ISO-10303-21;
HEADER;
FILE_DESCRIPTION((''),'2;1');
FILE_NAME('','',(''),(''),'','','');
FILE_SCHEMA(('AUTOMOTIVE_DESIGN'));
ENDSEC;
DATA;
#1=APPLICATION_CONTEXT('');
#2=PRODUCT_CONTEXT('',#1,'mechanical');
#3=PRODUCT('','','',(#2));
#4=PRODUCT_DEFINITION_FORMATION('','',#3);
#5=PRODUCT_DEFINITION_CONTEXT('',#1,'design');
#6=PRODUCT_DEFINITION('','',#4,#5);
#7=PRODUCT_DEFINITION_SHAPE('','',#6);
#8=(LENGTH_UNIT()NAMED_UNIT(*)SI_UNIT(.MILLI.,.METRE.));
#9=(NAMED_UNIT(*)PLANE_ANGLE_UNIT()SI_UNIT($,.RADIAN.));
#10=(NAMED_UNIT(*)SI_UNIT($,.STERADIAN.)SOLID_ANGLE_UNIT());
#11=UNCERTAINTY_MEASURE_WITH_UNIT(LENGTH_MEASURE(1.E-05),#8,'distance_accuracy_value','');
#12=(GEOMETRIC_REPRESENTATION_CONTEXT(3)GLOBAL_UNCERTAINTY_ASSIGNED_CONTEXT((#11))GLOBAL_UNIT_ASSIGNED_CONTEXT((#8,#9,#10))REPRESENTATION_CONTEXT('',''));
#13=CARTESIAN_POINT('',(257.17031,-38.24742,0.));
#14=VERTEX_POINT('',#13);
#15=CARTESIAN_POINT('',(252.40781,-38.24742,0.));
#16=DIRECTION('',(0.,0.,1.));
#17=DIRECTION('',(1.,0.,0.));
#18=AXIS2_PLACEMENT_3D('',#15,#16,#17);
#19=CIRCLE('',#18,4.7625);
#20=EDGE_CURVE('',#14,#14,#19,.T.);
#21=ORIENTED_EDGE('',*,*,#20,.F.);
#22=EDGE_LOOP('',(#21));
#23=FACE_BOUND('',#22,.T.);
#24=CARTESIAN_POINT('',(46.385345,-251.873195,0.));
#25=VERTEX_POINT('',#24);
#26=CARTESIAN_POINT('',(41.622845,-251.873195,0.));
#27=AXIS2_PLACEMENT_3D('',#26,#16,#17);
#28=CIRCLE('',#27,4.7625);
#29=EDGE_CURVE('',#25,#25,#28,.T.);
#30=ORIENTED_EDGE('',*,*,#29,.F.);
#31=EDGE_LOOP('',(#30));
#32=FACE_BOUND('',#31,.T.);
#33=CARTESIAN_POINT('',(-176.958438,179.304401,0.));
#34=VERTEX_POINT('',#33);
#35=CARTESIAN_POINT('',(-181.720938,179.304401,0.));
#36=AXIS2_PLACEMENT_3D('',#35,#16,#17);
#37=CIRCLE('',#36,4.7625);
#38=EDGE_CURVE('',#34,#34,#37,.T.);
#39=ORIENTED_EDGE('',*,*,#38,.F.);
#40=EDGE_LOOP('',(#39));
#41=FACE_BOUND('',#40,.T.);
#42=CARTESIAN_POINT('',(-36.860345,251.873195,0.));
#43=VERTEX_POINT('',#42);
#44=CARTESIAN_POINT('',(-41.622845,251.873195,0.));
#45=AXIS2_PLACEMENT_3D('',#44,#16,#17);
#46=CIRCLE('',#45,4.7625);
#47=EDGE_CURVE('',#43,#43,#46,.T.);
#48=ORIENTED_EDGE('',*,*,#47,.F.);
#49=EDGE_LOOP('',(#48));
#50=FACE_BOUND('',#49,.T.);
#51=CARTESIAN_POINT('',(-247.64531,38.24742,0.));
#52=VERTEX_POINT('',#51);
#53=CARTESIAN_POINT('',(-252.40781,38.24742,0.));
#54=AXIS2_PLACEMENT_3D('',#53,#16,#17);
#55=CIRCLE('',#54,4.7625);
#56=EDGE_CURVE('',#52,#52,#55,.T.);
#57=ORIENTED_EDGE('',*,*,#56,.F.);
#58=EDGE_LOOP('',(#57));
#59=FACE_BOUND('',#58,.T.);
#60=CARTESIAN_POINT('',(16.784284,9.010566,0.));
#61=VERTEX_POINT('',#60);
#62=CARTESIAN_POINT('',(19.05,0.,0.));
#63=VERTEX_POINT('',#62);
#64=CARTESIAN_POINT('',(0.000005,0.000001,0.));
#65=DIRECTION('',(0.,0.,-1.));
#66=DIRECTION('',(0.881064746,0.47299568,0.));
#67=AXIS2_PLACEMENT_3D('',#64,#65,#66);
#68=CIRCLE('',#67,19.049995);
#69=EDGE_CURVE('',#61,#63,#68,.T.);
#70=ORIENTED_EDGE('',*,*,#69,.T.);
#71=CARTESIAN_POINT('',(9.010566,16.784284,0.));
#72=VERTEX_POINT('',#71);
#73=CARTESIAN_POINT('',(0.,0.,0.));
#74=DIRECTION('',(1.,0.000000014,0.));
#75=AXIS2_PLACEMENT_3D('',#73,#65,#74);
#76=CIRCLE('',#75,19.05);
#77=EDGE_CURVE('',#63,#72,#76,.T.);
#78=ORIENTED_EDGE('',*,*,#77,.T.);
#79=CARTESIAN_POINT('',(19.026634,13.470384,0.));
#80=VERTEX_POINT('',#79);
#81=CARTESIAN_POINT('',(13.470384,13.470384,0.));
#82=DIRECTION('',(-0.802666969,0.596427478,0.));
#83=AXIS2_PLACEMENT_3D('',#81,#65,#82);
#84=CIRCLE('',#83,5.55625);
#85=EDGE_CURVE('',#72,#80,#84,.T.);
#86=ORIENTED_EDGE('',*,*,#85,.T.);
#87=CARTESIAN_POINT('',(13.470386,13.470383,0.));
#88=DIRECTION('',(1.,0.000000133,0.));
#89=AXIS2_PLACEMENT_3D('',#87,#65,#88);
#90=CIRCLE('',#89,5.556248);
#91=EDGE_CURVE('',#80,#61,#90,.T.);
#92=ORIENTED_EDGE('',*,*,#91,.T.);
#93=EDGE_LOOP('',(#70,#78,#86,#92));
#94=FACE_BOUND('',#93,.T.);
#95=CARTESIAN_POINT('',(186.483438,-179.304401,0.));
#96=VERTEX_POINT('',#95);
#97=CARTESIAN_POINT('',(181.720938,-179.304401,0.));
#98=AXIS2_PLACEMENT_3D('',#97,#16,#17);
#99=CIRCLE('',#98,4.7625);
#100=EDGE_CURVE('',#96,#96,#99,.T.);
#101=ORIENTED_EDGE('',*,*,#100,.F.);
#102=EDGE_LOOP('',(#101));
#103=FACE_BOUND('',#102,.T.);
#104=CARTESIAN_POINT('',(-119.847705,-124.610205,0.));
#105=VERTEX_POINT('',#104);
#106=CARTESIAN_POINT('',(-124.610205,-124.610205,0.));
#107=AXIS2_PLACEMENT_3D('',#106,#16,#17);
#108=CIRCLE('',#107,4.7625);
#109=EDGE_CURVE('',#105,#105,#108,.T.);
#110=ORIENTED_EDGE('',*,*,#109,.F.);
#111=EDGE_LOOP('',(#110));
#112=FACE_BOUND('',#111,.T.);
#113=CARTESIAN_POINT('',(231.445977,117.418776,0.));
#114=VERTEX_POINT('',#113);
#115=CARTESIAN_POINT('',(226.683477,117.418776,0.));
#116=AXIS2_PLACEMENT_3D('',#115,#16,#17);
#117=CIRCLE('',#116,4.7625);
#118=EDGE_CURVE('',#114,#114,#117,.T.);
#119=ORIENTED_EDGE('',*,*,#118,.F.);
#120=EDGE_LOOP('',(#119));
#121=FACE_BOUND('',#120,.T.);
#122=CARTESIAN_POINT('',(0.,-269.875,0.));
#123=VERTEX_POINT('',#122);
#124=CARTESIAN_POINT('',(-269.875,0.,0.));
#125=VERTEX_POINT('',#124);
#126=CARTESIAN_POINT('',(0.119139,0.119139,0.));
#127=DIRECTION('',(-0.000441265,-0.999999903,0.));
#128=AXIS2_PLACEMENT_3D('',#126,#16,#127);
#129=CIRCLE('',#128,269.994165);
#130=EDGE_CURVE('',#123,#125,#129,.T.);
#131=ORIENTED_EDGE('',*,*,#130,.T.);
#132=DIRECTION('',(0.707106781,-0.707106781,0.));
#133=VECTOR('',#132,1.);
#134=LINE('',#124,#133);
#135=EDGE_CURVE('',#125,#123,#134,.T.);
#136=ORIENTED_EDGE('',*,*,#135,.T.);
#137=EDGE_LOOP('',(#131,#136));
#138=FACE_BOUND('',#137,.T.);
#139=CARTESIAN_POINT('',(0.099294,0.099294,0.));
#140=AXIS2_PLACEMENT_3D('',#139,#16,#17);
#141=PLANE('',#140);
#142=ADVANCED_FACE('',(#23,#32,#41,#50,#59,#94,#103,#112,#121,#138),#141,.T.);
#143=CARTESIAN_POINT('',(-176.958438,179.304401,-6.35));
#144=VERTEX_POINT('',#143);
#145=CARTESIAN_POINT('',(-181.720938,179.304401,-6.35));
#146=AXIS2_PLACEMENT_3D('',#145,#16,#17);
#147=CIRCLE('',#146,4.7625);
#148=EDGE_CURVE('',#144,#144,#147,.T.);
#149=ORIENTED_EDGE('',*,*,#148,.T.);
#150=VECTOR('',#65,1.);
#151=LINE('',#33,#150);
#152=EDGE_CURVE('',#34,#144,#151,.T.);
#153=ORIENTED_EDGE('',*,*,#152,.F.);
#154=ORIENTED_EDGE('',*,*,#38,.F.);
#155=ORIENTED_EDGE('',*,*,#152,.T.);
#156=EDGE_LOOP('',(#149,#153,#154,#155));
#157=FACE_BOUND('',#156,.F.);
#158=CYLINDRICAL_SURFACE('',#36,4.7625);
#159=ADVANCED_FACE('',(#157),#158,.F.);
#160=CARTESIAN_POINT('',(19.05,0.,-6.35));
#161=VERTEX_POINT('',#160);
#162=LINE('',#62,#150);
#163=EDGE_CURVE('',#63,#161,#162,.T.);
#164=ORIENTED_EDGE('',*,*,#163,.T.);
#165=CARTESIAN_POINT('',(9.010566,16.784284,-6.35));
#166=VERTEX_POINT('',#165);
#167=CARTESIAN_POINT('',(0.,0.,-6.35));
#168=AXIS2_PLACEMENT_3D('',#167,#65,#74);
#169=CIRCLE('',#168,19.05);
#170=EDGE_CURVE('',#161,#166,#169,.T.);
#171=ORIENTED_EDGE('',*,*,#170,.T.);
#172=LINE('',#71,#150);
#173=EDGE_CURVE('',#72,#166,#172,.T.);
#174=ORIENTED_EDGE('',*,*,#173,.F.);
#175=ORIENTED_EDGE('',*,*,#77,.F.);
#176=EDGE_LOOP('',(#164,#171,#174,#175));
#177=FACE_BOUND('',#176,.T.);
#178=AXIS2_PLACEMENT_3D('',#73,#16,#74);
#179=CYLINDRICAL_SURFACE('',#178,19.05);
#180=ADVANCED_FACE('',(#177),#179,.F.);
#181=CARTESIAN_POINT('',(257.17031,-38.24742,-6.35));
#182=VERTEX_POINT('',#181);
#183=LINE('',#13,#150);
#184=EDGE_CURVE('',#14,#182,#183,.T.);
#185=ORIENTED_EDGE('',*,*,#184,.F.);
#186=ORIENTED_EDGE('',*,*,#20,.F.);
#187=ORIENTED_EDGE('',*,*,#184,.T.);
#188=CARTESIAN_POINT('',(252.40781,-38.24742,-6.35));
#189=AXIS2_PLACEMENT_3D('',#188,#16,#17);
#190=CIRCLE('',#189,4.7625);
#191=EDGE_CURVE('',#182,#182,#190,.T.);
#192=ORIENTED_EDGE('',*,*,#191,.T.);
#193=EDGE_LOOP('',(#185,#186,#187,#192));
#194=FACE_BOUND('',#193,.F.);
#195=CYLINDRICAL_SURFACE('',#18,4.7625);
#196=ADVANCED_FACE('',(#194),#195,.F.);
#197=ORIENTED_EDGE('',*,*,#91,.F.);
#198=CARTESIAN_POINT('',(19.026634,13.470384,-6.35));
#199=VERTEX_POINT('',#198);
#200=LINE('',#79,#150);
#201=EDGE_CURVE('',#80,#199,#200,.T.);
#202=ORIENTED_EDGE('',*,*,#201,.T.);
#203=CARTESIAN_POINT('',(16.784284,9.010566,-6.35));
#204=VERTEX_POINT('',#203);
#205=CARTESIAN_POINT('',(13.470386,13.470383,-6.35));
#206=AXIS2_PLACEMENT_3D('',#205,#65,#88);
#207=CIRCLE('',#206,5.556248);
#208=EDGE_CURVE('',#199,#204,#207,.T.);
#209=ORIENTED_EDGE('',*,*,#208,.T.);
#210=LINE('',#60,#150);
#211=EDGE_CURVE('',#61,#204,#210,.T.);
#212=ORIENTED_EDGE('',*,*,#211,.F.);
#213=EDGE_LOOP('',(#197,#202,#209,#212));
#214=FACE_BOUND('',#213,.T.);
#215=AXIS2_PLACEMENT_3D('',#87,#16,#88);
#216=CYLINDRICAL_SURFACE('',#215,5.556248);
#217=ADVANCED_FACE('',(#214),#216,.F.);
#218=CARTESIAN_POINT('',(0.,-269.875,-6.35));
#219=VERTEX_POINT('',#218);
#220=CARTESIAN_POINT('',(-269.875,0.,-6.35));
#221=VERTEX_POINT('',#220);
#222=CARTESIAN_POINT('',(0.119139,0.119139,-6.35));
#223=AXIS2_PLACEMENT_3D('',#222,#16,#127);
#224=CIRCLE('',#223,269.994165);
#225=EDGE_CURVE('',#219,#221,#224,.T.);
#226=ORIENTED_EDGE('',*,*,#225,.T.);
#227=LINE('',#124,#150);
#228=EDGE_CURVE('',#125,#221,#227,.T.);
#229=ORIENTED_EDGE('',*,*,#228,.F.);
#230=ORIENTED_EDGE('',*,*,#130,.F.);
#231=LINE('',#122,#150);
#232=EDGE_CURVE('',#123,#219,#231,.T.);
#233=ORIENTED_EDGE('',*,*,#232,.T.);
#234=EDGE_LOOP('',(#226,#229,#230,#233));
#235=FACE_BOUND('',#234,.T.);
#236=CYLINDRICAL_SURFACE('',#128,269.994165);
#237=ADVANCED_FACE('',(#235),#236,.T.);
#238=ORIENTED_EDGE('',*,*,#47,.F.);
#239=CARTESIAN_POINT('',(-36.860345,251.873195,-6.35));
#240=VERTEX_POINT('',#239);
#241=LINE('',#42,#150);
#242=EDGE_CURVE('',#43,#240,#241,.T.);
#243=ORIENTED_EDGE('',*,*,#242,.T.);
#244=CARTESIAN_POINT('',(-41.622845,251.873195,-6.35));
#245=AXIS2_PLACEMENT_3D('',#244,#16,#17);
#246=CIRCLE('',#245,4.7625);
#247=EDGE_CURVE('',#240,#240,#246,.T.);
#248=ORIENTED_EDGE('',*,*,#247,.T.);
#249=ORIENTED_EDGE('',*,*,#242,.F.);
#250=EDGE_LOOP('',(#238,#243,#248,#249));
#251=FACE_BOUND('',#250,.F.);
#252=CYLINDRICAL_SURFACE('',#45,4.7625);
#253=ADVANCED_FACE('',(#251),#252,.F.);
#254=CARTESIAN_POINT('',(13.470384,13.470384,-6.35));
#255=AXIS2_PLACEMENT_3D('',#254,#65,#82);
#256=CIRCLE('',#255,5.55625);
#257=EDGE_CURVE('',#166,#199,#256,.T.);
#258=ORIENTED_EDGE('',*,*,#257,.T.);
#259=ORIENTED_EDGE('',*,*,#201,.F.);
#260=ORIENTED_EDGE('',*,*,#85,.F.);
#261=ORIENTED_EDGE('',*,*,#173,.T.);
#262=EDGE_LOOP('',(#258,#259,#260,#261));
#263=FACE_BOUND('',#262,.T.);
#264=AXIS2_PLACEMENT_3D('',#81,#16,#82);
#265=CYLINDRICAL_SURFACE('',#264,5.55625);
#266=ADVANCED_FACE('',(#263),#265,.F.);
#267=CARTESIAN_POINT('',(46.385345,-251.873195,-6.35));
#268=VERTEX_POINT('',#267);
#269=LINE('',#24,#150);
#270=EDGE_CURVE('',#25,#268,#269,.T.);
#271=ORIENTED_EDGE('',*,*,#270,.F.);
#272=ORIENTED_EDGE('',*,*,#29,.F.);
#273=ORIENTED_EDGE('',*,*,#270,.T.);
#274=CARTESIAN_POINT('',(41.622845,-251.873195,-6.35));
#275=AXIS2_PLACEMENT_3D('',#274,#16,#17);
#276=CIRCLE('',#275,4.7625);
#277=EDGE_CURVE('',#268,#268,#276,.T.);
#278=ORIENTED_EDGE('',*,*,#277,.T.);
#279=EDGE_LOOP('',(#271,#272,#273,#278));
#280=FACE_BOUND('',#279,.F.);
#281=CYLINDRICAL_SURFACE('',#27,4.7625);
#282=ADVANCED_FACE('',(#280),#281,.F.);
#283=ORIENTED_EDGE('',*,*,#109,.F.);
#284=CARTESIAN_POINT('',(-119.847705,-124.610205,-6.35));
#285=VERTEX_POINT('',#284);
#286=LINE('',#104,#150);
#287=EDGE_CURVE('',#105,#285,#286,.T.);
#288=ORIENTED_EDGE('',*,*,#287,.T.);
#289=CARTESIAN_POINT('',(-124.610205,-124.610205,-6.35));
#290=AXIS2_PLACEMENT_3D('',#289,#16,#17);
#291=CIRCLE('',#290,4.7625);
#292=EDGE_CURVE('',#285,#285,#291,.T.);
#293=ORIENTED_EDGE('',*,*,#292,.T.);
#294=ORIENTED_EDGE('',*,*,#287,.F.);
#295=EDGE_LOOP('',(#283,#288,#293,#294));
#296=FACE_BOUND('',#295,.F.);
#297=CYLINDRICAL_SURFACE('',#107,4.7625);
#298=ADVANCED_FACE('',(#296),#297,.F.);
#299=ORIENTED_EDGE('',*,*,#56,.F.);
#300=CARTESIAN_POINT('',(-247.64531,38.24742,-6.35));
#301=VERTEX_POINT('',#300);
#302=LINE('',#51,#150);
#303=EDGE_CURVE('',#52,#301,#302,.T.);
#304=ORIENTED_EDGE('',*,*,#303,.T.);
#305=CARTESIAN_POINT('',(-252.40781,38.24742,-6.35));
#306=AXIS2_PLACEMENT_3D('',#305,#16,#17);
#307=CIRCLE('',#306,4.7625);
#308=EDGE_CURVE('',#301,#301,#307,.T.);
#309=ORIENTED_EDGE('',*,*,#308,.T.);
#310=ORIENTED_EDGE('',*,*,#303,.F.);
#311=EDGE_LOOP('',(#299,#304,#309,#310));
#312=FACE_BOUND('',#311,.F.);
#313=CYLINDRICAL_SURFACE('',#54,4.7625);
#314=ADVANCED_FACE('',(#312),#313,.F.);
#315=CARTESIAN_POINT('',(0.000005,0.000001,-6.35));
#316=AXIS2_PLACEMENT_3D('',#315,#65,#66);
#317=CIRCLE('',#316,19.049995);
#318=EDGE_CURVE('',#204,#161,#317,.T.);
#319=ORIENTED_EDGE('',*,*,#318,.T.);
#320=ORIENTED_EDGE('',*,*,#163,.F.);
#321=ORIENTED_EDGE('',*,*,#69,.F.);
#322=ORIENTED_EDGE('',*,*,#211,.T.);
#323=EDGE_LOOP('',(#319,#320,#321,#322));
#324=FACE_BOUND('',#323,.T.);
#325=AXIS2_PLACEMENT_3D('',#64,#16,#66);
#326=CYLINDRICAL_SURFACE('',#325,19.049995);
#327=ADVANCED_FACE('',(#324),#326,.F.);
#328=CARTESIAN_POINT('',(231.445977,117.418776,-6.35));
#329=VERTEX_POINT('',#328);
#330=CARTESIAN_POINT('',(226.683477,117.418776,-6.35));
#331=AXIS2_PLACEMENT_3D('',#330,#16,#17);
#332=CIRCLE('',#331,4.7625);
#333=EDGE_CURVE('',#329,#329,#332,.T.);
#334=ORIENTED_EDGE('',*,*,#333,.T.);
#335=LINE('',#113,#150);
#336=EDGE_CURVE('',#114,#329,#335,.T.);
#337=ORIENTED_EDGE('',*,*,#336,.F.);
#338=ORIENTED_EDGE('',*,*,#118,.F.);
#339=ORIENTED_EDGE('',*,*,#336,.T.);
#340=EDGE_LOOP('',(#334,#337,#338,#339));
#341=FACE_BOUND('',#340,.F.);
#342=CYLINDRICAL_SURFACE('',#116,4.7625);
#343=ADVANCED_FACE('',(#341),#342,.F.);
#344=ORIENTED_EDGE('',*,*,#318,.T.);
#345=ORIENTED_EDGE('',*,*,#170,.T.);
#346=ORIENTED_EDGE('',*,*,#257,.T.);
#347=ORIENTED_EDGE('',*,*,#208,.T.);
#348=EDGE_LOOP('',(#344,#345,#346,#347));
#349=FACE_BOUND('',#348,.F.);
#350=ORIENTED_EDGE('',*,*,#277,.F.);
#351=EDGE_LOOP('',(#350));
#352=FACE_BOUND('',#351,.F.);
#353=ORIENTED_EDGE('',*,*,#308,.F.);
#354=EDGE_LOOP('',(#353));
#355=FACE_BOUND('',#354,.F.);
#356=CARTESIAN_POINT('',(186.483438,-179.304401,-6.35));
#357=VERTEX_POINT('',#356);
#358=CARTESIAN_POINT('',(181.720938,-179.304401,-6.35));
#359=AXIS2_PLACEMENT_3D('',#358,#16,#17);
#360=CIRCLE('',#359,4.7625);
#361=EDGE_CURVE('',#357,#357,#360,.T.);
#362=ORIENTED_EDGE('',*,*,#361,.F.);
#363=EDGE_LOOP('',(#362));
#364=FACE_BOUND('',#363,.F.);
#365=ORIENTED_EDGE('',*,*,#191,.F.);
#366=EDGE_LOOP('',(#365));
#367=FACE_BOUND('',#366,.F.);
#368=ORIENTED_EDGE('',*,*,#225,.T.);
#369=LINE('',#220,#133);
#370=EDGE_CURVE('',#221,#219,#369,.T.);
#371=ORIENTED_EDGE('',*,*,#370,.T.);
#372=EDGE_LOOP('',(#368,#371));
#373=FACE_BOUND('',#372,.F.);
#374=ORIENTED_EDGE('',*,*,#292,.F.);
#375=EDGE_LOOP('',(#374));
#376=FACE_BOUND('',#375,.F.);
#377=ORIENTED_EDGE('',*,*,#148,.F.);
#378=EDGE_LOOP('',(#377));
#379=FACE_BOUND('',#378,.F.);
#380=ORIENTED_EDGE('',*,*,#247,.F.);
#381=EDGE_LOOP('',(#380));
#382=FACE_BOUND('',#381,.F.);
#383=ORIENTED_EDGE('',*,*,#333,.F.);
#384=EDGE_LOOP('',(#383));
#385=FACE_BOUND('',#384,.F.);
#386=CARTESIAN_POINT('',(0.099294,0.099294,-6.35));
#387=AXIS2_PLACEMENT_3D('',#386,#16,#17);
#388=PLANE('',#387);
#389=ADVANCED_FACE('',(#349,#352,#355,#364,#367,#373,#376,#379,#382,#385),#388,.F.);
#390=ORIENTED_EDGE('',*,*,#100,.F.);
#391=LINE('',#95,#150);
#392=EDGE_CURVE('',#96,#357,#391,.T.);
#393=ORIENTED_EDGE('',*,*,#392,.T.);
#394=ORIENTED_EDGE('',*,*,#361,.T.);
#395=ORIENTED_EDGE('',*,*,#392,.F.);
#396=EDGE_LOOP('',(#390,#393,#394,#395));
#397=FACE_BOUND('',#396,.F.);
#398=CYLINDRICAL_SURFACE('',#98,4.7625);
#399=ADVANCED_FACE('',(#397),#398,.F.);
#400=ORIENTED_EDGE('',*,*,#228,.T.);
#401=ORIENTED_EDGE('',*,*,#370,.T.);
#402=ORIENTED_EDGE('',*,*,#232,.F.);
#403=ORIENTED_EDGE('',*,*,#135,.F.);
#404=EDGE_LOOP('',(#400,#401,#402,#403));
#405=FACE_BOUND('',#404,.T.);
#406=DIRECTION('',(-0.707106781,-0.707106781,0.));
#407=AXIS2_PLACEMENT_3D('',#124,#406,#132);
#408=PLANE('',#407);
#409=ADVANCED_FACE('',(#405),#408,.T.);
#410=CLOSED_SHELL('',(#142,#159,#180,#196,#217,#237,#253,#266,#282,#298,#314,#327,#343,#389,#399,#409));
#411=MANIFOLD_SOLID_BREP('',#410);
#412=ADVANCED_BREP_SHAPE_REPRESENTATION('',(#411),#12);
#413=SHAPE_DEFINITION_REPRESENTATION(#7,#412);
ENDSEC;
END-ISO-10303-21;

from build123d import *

# Parameters (mm, degrees)
F0_R     = 4.7625
F1_DEPTH = 6.35


with BuildPart() as f1:
    # F0 (on Top) → F1 (new body)
    with BuildSketch(Plane.XY):
        with BuildLine():
            Line((-269.875, 0), (0, -269.875))
            ThreePointArc((0, -269.875), (191.033844, 191.033844), (-269.875, 0))
        make_face()
        with Locations((-124.610205, -124.610205)):
            Circle(F0_R, mode=Mode.SUBTRACT)
        with BuildLine():
            ThreePointArc((16.784284, 9.010566), (18.47489, 4.645529), (19.05, 0))
            ThreePointArc((19.05, 0), (-16.348605, -9.778835), (9.010566, 16.784284))
            ThreePointArc((9.010566, 16.784284), (15.21567, 18.745409), (19.026634, 13.470384))
            ThreePointArc((19.026634, 13.470384), (18.434494, 10.974482), (16.784284, 9.010566))
        make_face(mode=Mode.SUBTRACT)
        with Locations((41.622845, -251.873195)):
            Circle(F0_R, mode=Mode.SUBTRACT)
        with Locations((181.720938, -179.304401)):
            Circle(F0_R, mode=Mode.SUBTRACT)
        with Locations((252.40781, -38.24742)):
            Circle(F0_R, mode=Mode.SUBTRACT)
        with Locations((-252.40781, 38.24742)):
            Circle(F0_R, mode=Mode.SUBTRACT)
        with Locations((-181.720938, 179.304401)):
            Circle(F0_R, mode=Mode.SUBTRACT)
        with Locations((-41.622845, 251.873195)):
            Circle(F0_R, mode=Mode.SUBTRACT)
        with Locations((226.683477, 117.418776)):
            Circle(F0_R, mode=Mode.SUBTRACT)
    extrude(amount=-F1_DEPTH)


solid = f1.part
